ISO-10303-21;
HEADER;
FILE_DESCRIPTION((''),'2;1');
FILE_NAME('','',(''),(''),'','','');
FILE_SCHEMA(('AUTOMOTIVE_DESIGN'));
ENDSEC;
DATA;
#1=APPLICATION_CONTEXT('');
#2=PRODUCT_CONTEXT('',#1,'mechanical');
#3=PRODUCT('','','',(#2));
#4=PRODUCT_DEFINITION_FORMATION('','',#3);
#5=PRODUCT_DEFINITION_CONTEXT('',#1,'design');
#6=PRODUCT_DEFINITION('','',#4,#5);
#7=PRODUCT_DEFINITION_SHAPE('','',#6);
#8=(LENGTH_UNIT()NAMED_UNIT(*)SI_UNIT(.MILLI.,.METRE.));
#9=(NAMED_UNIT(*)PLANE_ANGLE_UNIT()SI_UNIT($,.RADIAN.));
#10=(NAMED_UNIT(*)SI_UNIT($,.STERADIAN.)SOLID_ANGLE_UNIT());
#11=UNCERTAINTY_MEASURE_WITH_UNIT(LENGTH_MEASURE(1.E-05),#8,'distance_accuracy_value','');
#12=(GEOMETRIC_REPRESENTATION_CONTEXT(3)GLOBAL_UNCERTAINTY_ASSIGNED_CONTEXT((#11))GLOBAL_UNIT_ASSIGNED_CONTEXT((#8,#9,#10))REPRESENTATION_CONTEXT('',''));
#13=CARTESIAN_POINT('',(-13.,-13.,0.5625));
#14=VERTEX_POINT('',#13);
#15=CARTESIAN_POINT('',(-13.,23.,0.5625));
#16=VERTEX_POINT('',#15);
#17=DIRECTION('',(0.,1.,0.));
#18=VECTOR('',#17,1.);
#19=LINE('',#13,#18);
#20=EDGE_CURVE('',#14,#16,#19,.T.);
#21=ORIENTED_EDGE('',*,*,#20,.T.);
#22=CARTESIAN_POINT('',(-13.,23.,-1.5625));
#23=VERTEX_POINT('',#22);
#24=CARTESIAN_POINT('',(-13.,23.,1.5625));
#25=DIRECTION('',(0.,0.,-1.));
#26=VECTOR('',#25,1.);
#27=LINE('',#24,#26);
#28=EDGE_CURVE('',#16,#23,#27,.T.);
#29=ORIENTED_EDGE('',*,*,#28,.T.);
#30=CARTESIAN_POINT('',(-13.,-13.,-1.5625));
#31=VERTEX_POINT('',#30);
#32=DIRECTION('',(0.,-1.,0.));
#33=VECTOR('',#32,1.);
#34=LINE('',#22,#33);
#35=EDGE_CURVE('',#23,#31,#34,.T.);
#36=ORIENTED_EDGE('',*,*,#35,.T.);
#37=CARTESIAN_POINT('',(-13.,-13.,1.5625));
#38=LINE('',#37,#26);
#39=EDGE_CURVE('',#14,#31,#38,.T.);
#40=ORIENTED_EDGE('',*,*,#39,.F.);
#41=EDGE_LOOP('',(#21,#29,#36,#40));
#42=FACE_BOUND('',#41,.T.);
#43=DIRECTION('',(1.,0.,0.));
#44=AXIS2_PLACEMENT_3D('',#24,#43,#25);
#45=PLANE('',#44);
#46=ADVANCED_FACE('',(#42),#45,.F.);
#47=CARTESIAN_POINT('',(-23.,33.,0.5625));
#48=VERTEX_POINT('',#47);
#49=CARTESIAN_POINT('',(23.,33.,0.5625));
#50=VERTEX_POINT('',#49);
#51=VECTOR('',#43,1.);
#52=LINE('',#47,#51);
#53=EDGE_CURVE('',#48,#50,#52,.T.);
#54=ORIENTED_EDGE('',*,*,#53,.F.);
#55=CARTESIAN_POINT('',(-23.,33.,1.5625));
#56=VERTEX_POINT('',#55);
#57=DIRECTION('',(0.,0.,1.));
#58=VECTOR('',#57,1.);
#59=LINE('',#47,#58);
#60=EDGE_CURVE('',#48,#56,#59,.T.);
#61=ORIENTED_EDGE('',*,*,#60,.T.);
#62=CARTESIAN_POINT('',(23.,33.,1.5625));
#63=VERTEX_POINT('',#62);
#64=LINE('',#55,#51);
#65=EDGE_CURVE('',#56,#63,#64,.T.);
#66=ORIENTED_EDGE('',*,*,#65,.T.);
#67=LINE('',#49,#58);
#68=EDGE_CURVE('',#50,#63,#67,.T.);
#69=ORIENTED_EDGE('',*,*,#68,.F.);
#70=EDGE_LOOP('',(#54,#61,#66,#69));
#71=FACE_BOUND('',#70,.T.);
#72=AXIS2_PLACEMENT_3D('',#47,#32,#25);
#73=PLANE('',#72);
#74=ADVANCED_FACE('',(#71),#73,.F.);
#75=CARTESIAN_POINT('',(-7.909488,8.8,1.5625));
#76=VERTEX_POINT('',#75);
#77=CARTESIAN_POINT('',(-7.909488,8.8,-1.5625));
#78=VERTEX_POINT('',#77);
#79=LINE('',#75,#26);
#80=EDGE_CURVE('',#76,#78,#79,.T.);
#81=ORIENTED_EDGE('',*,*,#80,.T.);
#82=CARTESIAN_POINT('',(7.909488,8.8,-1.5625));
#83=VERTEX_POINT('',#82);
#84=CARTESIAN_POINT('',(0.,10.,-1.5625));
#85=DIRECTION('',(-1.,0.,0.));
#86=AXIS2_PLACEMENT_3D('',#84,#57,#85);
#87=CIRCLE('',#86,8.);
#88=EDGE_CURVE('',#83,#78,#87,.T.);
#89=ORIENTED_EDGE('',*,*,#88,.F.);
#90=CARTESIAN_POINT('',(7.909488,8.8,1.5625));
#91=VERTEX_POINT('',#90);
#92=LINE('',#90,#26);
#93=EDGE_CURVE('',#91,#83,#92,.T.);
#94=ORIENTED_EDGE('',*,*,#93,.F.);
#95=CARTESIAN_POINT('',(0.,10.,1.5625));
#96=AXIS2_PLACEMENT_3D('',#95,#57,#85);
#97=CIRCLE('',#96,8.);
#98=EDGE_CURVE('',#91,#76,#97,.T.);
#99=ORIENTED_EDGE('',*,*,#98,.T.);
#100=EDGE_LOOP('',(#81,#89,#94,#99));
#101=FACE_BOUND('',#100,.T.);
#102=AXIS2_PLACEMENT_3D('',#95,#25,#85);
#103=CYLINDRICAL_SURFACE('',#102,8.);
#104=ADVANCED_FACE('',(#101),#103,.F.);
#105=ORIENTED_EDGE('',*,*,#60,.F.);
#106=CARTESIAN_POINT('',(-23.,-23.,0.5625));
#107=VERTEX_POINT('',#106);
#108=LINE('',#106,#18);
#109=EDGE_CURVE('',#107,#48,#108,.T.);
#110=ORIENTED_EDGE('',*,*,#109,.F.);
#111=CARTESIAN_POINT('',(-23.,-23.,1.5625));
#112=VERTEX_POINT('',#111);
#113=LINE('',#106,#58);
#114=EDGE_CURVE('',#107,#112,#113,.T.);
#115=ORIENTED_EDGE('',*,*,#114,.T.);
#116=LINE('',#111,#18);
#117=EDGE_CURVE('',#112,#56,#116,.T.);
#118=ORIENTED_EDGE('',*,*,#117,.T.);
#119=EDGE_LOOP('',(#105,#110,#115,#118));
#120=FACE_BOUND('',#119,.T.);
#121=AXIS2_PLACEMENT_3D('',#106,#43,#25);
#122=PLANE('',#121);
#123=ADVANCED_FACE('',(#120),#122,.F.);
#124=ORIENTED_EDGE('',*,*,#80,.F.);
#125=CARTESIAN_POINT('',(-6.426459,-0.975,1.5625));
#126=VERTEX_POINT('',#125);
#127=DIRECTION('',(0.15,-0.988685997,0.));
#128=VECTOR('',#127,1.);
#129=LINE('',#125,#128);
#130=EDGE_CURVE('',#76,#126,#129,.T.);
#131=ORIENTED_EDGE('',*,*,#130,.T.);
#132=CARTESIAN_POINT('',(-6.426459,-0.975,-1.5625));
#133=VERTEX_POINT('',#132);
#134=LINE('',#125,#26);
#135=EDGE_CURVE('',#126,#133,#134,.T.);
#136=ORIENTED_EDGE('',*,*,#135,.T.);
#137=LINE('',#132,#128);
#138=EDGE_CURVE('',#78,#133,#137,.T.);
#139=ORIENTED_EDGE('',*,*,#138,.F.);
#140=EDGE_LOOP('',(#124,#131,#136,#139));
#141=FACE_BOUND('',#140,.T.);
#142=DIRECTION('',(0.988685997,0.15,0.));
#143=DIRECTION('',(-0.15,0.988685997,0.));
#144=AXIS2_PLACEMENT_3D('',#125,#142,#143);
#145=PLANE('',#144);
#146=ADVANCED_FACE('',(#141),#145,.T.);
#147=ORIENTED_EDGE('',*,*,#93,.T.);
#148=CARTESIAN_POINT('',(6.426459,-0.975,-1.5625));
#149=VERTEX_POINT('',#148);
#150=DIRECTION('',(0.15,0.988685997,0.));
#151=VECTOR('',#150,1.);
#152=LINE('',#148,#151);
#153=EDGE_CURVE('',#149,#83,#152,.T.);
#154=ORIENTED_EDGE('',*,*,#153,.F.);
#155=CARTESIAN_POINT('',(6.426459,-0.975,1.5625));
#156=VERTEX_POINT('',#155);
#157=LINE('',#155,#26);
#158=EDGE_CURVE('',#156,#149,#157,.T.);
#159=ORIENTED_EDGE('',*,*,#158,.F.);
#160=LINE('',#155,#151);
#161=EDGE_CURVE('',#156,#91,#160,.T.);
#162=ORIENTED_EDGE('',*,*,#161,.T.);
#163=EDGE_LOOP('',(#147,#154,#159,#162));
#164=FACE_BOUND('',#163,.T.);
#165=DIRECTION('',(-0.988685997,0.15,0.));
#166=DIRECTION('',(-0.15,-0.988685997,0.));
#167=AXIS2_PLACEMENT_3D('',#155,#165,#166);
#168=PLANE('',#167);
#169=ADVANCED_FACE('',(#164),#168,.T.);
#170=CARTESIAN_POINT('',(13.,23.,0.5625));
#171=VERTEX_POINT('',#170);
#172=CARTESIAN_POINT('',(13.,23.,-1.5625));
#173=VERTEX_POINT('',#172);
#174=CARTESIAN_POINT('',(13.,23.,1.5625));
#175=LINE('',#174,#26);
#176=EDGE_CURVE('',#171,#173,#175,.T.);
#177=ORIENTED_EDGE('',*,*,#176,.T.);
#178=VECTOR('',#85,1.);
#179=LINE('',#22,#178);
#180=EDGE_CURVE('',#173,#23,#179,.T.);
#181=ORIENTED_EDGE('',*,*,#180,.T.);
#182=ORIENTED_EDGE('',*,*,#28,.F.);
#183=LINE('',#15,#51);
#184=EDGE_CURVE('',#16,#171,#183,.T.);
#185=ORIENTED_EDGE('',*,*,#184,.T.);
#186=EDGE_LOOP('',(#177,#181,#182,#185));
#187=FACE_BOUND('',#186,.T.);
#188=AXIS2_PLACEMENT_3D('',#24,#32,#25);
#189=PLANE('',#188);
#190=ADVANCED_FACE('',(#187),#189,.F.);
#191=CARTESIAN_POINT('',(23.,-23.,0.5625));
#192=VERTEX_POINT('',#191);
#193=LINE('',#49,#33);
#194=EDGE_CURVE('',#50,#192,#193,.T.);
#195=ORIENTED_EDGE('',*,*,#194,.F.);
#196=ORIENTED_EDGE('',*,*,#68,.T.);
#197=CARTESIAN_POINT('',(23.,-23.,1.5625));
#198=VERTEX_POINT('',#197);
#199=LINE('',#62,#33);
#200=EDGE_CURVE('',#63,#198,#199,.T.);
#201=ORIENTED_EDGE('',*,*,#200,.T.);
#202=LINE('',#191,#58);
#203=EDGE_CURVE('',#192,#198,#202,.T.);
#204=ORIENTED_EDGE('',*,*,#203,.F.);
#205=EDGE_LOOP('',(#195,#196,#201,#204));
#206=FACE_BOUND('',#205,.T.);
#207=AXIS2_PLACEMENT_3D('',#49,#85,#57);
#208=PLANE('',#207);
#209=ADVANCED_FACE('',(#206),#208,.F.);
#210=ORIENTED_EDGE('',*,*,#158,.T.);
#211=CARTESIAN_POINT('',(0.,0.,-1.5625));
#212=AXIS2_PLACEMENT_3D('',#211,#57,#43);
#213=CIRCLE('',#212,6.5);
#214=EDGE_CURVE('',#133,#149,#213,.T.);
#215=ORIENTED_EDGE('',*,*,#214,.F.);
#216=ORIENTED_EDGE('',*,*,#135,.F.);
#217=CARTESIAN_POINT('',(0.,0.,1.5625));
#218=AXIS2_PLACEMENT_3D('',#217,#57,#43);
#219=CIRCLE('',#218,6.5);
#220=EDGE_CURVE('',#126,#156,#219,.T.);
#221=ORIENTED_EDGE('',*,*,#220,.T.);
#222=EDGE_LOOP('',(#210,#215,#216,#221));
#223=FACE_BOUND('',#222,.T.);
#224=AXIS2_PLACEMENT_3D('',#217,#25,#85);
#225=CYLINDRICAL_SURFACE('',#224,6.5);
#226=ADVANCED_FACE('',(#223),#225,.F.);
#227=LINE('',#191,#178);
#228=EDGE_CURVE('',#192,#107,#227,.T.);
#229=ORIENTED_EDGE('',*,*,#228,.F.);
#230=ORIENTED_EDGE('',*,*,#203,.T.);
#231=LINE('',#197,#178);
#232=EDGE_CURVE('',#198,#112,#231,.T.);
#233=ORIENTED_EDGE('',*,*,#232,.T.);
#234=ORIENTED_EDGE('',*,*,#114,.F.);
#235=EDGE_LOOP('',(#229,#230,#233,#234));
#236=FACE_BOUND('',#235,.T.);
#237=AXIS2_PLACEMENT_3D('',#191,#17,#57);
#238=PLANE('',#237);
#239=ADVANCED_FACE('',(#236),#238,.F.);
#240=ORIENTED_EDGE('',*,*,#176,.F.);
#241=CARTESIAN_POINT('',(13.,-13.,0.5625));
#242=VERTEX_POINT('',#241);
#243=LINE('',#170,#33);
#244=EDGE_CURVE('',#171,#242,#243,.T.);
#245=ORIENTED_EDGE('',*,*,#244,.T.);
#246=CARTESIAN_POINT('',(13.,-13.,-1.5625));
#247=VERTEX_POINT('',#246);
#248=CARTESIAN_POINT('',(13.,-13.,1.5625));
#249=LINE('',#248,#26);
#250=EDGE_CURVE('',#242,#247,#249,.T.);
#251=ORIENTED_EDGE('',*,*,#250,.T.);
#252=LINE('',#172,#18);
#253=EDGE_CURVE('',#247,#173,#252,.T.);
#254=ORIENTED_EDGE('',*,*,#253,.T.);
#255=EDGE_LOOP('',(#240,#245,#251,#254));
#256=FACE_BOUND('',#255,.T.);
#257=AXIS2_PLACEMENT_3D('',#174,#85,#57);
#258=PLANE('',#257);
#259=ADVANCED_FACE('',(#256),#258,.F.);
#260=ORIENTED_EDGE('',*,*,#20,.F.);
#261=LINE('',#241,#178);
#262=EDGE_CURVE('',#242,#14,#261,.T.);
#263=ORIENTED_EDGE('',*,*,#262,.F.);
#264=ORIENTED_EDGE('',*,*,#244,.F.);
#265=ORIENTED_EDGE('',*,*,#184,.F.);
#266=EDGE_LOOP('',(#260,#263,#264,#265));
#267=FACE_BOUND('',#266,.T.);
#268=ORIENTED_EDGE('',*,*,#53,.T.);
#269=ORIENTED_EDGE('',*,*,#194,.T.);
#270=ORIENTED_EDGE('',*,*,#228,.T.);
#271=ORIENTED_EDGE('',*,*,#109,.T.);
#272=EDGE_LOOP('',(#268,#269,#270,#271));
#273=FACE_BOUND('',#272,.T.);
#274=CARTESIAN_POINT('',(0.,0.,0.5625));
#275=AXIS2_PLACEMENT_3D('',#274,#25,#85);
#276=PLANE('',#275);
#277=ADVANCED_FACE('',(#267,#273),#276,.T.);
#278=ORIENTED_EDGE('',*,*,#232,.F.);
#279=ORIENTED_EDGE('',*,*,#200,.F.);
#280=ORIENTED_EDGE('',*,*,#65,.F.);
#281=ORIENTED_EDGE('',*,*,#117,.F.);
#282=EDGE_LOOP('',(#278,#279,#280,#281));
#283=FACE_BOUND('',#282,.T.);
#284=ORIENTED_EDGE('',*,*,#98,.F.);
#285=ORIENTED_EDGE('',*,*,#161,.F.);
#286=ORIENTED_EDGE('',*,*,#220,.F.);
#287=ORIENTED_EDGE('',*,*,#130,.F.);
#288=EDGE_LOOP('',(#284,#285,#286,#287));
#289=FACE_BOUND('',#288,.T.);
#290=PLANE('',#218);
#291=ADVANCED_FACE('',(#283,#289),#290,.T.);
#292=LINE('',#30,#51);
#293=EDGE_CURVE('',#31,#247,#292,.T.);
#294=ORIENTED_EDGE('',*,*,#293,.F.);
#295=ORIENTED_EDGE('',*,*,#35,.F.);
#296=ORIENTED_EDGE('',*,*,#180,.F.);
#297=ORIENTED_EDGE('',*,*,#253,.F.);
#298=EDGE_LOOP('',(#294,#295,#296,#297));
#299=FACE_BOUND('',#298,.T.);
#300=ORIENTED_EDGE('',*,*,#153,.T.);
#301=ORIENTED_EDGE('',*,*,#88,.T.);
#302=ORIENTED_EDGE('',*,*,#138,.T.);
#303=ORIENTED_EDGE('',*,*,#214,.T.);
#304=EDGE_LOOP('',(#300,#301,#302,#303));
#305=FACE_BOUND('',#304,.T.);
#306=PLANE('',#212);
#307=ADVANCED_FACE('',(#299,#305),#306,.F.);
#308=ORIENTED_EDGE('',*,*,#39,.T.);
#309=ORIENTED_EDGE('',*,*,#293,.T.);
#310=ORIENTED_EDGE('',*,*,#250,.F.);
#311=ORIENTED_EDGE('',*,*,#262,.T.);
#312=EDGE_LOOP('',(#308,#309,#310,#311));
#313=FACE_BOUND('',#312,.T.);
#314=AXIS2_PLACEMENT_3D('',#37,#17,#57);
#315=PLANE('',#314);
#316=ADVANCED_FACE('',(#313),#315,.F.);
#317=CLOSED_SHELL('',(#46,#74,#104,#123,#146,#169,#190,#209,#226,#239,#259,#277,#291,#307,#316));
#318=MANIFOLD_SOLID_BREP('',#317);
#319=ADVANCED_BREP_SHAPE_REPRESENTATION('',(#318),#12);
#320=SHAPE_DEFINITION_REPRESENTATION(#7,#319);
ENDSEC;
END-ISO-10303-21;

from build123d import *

# Parameters (mm, degrees)
SKETCH1_W           = 26
SKETCH1_H           = 36
BOSS_EXTRUDE1_DEPTH = 1.5625
SKETCH2_W           = 46
SKETCH2_H           = 56
SKETCH2_W_2         = 26
SKETCH2_H_2         = 36
BOSS_EXTRUDE2_DEPTH = 1


with BuildPart() as part:
    # Sketch1 → Boss-Extrude1 (new, symmetric)
    with BuildSketch(Plane.XY):
        with Locations((0, 5)):
            Rectangle(SKETCH1_W, SKETCH1_H)
        with BuildLine():
            Line((-6.426458978, -0.975), (-7.909487973, 8.8))
            ThreePointArc((-7.909487973, 8.8), (0, 18), (7.909487973, 8.8))
            Line((7.909487973, 8.8), (6.426458978, -0.975))
            ThreePointArc((6.426458978, -0.975), (0, -6.5), (-6.426458978, -0.975))
        make_face(mode=Mode.SUBTRACT)
    extrude(amount=BOSS_EXTRUDE1_DEPTH, both=True)

    # Sketch2 → Boss-Extrude2 (add)
    with BuildSketch(Plane(origin=(0, 0, 1.5625), x_dir=(-1, 0, 0), z_dir=(0, 0, -1))):
        with Locations((0, 5)):
            Rectangle(SKETCH2_W, SKETCH2_H)
        with Locations((0, 5)):
            Rectangle(SKETCH2_W_2, SKETCH2_H_2, mode=Mode.SUBTRACT)
    extrude(amount=BOSS_EXTRUDE2_DEPTH)


solid = part.part
